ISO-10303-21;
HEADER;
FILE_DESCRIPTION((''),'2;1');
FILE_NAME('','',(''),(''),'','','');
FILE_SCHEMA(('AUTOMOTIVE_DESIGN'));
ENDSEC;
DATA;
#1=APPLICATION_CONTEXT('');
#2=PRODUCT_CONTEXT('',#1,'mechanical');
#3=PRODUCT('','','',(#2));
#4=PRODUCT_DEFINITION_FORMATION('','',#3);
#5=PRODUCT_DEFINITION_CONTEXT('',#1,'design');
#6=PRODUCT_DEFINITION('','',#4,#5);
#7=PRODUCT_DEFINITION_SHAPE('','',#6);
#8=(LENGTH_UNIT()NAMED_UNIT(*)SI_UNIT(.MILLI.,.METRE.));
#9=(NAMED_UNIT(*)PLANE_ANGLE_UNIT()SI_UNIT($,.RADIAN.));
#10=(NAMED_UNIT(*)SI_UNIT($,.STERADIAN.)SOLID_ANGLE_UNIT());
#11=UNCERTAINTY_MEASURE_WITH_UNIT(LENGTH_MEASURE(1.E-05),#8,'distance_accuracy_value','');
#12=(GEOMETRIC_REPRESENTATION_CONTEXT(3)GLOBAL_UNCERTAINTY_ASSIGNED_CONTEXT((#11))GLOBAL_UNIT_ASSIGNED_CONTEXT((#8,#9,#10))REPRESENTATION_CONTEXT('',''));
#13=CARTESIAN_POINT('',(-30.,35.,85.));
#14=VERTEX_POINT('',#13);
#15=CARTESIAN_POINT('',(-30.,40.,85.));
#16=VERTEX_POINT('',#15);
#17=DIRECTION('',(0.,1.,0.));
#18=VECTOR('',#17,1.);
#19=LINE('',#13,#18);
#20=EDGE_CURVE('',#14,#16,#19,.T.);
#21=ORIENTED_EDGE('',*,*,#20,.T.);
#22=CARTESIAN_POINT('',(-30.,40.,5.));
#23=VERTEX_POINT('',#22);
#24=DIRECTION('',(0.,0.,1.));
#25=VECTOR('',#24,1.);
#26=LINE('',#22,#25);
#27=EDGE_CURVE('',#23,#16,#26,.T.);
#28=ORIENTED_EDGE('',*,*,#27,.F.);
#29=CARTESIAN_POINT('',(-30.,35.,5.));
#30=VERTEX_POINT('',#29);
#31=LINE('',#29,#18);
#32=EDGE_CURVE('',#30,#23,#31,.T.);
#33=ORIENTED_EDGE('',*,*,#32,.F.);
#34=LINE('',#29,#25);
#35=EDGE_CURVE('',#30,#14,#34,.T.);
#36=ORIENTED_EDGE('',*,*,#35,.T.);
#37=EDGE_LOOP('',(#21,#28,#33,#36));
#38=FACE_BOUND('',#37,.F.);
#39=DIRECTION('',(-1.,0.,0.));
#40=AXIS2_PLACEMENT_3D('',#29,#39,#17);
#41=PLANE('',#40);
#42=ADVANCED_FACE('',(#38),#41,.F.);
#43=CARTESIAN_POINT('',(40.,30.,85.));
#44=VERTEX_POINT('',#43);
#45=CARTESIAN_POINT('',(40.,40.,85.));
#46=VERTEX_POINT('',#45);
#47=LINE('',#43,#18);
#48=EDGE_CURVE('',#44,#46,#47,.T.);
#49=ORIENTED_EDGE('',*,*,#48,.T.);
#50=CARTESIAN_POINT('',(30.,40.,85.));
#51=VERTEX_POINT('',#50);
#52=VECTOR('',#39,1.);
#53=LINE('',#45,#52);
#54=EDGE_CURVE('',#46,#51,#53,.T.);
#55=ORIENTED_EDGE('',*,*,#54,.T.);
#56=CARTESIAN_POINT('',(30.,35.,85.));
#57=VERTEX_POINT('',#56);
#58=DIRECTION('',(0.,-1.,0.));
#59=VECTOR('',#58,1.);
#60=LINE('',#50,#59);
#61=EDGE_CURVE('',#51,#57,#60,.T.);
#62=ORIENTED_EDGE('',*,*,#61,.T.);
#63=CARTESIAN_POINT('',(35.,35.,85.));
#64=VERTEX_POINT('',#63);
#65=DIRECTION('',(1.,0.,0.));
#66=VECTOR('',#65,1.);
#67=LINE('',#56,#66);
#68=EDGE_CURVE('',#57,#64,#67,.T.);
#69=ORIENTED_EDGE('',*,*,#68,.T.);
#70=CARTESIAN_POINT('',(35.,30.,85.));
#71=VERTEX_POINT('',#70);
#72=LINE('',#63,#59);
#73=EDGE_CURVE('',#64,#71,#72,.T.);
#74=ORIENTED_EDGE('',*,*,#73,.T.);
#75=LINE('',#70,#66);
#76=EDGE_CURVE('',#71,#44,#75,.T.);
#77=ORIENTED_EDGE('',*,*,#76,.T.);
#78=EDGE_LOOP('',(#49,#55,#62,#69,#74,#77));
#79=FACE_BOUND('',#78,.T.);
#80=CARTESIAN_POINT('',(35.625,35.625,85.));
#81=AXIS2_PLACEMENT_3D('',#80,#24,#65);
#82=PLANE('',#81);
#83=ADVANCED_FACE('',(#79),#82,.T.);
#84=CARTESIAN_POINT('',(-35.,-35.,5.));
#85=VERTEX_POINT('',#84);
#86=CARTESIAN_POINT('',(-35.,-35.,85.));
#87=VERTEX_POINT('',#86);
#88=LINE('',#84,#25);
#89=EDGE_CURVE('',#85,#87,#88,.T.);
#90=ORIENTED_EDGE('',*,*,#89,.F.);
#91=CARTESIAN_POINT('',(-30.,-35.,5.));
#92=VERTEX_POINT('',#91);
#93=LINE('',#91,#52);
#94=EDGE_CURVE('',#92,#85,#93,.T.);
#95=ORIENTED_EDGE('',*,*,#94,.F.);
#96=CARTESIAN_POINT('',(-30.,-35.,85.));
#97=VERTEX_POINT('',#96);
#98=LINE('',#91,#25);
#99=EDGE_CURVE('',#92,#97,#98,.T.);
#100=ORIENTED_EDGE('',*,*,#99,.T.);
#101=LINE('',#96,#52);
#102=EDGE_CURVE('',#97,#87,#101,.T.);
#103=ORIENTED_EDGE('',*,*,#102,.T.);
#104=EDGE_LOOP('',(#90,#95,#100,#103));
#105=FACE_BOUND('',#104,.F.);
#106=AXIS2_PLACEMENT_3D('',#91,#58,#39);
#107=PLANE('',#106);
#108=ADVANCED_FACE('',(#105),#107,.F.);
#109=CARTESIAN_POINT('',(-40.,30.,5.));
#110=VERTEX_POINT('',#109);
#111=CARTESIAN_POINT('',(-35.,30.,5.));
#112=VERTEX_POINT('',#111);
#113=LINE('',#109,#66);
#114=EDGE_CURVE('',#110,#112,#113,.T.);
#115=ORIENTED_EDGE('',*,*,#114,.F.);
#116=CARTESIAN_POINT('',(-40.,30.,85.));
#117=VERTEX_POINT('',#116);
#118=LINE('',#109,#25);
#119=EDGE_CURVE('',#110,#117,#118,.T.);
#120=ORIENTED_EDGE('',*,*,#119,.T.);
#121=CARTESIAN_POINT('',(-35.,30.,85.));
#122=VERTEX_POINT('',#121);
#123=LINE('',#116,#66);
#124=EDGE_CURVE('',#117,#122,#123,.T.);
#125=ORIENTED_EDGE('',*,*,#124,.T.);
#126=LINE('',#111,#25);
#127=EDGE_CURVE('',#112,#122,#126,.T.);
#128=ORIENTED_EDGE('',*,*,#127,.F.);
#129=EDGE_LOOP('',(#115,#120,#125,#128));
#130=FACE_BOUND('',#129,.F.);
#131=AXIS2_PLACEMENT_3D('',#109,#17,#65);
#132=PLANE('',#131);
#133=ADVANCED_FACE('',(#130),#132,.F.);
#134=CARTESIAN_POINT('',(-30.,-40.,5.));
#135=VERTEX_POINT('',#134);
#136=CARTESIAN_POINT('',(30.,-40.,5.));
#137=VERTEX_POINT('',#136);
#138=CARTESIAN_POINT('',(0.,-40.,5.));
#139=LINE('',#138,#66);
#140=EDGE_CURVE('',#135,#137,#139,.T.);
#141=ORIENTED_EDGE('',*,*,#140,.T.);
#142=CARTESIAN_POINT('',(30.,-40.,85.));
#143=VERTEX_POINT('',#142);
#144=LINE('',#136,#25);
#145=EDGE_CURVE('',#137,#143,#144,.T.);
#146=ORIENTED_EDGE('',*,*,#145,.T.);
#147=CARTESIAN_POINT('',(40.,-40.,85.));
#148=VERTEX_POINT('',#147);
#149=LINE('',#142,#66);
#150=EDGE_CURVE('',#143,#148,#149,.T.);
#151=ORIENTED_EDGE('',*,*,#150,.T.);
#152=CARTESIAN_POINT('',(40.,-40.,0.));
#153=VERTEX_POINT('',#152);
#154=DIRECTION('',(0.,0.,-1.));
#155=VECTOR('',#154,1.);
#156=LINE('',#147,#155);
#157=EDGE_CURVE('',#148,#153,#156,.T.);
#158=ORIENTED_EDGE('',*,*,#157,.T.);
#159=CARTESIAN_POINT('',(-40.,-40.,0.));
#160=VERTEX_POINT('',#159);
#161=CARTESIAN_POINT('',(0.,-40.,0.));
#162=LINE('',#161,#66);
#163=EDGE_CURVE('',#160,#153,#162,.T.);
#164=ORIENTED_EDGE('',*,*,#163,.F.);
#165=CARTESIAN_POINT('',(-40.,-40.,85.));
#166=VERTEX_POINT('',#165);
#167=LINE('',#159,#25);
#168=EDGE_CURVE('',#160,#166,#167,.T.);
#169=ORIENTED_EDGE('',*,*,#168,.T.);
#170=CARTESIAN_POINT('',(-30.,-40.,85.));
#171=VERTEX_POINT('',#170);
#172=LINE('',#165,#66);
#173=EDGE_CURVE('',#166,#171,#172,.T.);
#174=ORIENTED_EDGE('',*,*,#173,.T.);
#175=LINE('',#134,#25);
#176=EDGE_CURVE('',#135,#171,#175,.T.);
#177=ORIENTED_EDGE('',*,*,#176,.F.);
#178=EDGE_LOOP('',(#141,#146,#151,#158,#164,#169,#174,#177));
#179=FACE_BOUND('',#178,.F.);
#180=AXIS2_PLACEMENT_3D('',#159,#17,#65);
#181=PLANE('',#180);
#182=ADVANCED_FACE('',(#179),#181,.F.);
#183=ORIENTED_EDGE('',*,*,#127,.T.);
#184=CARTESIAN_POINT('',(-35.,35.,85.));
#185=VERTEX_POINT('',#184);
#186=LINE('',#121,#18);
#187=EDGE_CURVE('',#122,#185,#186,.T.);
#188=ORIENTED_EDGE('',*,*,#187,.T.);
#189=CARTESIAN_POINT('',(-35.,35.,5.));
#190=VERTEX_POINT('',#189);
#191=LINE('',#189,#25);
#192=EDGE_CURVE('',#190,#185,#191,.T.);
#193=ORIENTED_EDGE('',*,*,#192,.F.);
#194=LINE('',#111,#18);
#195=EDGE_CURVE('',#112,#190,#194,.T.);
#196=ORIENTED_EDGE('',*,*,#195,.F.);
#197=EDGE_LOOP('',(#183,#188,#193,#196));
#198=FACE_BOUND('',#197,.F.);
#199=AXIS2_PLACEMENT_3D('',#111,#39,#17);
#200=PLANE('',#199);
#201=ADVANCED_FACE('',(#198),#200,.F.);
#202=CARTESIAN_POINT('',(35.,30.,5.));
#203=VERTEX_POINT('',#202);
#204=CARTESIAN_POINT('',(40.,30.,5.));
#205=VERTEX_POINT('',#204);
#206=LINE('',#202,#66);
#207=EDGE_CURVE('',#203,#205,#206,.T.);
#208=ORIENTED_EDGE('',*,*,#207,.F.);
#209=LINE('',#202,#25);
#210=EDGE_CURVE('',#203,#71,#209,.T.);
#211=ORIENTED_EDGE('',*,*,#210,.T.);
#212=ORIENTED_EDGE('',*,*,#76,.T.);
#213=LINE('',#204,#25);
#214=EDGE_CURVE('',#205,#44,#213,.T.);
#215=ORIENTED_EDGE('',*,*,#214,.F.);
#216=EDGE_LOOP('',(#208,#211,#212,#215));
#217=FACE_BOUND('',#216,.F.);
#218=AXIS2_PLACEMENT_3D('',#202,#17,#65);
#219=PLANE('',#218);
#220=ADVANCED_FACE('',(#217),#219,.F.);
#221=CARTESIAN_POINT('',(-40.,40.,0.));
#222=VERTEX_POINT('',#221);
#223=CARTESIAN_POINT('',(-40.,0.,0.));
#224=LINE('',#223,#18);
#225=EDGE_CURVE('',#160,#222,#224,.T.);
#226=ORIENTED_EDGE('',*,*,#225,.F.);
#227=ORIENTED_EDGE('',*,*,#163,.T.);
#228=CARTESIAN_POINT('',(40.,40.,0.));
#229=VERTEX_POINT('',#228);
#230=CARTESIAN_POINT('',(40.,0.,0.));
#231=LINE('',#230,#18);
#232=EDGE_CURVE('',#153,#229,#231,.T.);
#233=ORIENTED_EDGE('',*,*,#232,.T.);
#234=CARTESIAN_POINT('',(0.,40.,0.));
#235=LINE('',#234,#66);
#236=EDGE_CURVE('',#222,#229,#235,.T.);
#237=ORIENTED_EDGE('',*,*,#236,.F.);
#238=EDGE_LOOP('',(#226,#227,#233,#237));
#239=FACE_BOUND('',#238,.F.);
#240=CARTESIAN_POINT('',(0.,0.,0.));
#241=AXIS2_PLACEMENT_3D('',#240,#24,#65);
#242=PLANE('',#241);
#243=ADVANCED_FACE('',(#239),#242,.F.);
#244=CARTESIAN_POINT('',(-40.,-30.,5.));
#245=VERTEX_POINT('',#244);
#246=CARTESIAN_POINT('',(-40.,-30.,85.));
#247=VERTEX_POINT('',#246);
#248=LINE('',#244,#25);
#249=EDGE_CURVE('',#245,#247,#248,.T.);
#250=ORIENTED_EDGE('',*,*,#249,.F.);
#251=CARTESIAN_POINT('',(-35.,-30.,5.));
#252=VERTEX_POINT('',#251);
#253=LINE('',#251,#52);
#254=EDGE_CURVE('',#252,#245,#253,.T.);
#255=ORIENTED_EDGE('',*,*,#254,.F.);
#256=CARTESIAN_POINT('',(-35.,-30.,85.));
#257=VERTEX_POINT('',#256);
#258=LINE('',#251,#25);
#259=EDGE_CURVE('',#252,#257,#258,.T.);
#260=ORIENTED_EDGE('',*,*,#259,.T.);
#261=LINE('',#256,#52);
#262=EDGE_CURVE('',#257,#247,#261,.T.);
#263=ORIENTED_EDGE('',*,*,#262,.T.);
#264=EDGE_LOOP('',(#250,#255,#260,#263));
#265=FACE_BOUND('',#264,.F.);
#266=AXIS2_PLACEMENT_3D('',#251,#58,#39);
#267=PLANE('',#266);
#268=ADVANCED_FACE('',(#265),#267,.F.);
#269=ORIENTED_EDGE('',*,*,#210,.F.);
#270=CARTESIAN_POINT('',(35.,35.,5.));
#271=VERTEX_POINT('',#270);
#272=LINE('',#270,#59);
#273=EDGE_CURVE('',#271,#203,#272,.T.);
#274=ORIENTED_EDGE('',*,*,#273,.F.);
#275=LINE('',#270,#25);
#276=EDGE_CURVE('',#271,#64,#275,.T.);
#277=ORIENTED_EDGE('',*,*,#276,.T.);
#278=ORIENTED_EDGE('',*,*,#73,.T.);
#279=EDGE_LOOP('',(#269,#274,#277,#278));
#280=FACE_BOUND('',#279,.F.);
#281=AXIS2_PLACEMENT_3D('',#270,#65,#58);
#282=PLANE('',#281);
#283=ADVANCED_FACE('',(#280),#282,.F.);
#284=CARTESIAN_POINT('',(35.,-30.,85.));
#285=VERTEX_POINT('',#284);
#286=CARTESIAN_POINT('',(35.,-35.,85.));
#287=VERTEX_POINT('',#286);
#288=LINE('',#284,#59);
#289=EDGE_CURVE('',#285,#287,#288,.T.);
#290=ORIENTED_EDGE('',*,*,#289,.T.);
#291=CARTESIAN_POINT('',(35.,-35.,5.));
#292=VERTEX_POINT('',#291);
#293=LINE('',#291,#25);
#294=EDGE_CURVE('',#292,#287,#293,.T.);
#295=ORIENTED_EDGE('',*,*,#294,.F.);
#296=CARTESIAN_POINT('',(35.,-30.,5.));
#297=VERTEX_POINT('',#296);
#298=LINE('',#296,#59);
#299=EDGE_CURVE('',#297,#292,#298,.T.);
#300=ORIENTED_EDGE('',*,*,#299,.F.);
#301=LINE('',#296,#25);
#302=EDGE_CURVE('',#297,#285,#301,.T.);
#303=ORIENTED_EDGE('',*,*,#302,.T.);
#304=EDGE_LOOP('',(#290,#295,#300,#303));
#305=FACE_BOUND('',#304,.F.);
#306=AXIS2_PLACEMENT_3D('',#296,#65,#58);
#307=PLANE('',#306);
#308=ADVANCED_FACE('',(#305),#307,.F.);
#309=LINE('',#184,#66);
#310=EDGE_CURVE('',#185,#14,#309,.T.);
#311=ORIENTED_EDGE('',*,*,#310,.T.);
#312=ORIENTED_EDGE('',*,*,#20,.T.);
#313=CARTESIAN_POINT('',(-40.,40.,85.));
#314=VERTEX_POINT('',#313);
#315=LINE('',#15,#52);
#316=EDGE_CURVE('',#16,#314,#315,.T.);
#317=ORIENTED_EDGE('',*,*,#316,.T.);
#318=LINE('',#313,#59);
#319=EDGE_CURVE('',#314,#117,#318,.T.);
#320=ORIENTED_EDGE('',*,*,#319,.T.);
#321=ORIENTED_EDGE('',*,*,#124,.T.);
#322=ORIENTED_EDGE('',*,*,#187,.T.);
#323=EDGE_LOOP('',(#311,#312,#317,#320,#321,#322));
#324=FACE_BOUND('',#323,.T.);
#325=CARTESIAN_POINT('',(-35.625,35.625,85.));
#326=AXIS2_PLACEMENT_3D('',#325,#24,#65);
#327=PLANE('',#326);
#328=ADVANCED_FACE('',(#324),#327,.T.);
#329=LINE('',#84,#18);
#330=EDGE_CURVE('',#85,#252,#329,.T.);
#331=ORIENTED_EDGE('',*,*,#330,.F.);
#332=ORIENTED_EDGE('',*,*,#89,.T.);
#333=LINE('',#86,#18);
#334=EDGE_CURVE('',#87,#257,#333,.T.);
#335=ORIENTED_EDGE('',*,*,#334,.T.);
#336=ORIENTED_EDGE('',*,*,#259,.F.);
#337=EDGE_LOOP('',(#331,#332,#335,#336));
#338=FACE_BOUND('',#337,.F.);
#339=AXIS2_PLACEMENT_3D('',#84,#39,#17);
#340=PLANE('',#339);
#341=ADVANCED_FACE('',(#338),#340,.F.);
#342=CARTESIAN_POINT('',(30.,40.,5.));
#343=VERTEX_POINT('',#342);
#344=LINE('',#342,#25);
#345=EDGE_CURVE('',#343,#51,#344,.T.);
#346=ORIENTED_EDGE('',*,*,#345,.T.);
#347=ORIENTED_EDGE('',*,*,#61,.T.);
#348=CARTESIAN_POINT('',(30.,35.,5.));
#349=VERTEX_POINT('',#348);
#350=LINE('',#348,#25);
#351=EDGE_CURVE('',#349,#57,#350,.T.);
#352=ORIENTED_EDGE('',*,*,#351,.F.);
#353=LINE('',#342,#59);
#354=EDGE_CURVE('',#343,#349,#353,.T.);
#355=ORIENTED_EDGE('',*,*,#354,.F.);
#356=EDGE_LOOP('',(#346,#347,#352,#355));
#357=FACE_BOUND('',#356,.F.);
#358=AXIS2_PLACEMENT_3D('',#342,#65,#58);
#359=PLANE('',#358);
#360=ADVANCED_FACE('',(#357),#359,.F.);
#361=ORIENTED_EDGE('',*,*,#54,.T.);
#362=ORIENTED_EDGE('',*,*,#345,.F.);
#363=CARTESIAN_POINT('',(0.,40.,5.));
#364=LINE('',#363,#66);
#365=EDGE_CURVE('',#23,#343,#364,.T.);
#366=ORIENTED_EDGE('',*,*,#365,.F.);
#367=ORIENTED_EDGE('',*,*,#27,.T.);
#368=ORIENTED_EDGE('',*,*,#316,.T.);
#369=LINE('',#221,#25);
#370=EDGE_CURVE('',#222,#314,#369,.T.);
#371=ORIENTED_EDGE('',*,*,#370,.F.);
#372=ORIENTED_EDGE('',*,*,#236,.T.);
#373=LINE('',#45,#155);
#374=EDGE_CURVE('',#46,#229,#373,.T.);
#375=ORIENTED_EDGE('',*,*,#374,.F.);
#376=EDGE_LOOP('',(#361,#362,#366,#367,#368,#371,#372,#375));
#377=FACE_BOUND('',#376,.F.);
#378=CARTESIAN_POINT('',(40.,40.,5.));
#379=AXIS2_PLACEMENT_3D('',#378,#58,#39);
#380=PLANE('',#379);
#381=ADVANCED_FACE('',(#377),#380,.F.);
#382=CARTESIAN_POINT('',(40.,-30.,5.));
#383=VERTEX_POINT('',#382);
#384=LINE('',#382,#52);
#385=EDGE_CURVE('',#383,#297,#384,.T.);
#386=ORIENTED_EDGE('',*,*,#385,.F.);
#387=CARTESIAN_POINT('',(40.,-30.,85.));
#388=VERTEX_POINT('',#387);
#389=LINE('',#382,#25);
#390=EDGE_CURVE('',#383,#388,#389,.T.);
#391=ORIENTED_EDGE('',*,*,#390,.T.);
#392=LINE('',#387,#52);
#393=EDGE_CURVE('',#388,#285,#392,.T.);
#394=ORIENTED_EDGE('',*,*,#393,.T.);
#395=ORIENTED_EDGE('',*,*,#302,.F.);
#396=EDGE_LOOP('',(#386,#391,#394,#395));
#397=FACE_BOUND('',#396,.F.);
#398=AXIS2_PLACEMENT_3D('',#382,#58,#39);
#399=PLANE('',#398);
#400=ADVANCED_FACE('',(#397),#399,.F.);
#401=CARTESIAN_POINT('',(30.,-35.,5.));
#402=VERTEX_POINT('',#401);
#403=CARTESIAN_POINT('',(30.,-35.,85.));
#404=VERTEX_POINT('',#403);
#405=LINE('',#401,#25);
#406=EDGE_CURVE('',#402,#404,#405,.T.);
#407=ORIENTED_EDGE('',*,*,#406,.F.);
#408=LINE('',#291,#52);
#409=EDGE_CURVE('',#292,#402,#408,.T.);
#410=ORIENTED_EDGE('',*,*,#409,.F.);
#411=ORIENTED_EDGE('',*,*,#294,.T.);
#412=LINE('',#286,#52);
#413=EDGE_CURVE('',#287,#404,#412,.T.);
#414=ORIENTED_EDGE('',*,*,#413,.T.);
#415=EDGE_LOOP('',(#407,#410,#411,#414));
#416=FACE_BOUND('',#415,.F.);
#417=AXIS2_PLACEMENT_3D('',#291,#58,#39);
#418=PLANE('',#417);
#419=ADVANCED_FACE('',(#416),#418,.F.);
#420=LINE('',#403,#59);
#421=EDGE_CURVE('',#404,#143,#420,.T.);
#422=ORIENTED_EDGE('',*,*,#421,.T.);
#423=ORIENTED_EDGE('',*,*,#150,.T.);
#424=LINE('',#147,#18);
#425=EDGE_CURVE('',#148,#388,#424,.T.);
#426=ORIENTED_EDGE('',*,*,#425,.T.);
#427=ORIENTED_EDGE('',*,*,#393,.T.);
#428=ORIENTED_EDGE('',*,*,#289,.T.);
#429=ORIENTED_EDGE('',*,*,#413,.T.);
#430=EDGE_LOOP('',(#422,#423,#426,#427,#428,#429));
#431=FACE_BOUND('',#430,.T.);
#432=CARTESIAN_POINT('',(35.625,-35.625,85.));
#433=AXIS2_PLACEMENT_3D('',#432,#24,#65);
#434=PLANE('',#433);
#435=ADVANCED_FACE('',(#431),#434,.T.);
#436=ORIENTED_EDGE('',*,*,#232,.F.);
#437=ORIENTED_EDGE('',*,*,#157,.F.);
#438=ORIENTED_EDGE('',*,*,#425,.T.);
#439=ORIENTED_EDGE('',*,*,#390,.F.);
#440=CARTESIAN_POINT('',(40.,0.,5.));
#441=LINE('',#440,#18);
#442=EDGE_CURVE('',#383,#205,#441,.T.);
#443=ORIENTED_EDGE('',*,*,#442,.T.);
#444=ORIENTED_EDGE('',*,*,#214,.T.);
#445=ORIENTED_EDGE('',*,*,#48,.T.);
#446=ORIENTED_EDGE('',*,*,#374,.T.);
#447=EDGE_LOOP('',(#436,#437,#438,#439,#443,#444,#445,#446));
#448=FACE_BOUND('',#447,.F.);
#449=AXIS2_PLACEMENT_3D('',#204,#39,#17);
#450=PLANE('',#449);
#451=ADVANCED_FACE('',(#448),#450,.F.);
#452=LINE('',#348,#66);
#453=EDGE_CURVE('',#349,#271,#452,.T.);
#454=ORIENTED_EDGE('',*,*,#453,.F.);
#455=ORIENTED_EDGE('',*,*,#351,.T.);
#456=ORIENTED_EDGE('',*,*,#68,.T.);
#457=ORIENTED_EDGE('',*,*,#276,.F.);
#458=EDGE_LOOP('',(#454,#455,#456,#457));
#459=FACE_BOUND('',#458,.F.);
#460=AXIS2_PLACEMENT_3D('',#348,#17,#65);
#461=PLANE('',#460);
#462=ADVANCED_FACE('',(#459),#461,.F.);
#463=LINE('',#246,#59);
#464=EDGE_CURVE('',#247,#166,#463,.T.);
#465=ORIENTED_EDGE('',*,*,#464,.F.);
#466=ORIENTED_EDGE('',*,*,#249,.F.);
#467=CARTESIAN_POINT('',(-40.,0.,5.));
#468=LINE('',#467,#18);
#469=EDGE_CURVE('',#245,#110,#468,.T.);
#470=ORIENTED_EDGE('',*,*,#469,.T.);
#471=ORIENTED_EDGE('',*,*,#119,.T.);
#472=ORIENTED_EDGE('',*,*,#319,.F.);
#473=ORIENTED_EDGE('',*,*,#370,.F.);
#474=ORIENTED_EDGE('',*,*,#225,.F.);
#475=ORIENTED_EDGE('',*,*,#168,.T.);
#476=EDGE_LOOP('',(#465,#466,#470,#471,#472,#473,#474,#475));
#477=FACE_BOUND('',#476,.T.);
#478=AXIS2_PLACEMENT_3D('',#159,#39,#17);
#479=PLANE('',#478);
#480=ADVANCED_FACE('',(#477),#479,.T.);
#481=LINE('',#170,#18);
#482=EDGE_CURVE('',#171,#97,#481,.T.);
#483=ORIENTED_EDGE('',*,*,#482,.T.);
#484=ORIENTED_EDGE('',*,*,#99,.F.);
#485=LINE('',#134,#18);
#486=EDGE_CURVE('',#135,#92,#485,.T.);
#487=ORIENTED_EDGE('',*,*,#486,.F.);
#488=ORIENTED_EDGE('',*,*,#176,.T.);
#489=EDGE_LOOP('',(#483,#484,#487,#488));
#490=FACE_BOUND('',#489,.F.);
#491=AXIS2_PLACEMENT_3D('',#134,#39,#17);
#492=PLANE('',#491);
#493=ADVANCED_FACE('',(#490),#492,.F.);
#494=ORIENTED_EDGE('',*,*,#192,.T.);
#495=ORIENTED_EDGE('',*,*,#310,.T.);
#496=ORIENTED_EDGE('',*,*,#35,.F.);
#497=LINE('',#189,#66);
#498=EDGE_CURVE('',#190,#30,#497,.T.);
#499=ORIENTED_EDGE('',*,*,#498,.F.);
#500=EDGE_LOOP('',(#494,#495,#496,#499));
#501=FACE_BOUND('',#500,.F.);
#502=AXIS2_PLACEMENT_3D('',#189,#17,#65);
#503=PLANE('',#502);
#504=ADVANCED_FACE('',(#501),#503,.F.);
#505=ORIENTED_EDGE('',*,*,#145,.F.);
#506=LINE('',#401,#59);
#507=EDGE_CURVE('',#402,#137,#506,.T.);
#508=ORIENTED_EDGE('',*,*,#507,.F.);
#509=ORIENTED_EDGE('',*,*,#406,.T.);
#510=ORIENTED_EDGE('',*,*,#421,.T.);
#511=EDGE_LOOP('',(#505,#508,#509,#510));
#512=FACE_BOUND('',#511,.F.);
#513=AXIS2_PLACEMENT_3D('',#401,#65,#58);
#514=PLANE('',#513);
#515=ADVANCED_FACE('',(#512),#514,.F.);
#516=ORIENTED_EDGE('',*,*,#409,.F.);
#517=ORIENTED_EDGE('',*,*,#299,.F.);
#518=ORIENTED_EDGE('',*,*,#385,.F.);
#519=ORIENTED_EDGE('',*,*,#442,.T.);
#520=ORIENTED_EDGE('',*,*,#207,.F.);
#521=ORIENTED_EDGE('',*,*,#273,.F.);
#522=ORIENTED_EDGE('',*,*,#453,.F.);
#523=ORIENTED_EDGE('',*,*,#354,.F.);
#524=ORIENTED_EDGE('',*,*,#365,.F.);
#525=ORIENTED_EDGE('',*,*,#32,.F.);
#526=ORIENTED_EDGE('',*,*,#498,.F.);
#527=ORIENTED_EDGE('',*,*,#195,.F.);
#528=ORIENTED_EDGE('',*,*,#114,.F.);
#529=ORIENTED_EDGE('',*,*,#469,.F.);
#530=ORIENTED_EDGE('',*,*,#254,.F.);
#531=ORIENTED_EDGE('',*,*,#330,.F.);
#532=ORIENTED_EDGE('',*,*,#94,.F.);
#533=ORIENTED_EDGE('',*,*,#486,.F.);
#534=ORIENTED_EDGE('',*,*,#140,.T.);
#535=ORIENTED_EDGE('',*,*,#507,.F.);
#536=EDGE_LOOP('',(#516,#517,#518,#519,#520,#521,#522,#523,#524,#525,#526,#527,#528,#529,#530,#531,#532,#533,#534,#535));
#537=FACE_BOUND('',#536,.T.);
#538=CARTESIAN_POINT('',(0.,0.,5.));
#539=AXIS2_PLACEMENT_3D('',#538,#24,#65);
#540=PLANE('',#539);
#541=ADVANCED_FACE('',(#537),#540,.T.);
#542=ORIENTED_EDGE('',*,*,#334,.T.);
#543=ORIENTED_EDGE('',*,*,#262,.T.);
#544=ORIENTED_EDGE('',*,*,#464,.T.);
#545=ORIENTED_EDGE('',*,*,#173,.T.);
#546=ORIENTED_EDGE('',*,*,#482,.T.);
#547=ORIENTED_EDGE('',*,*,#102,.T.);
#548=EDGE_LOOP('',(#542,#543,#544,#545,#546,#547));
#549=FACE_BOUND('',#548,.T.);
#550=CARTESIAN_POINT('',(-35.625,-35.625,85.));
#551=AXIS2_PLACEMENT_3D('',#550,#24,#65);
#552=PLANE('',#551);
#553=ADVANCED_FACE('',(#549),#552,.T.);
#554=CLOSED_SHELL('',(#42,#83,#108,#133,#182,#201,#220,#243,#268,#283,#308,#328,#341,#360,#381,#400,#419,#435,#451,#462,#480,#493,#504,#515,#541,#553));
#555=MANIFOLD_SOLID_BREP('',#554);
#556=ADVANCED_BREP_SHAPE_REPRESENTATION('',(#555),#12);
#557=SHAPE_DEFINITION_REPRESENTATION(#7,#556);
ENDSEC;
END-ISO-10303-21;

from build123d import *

# Parameters (mm, degrees)
F0_W     = 80
F0_H     = 80
F1_DEPTH = 5
F3_DEPTH = 80


with BuildPart() as f1:
    # F0 (on Top) → F1 (new body)
    with BuildSketch(Plane.XY):
        Rectangle(F0_W, F0_H)
    extrude(amount=F1_DEPTH)

    # F2 (on face) → F3 (join)
    with BuildSketch(Plane.XY.offset(5)):
        Polygon((40, 40), (30, 40), (30, 35), (35, 35), (35, 30), (40, 30), align=None)
        Polygon((40, -30), (35, -30), (35, -35), (30, -35), (30, -40), (40, -40), align=None)
        Polygon((-30, -40), (-30, -35), (-35, -35), (-35, -30), (-40, -30), (-40, -40), align=None)
        Polygon((-40, 30), (-35, 30), (-35, 35), (-30, 35), (-30, 40), (-40, 40), align=None)
    extrude(amount=F3_DEPTH)


solid = f1.part
